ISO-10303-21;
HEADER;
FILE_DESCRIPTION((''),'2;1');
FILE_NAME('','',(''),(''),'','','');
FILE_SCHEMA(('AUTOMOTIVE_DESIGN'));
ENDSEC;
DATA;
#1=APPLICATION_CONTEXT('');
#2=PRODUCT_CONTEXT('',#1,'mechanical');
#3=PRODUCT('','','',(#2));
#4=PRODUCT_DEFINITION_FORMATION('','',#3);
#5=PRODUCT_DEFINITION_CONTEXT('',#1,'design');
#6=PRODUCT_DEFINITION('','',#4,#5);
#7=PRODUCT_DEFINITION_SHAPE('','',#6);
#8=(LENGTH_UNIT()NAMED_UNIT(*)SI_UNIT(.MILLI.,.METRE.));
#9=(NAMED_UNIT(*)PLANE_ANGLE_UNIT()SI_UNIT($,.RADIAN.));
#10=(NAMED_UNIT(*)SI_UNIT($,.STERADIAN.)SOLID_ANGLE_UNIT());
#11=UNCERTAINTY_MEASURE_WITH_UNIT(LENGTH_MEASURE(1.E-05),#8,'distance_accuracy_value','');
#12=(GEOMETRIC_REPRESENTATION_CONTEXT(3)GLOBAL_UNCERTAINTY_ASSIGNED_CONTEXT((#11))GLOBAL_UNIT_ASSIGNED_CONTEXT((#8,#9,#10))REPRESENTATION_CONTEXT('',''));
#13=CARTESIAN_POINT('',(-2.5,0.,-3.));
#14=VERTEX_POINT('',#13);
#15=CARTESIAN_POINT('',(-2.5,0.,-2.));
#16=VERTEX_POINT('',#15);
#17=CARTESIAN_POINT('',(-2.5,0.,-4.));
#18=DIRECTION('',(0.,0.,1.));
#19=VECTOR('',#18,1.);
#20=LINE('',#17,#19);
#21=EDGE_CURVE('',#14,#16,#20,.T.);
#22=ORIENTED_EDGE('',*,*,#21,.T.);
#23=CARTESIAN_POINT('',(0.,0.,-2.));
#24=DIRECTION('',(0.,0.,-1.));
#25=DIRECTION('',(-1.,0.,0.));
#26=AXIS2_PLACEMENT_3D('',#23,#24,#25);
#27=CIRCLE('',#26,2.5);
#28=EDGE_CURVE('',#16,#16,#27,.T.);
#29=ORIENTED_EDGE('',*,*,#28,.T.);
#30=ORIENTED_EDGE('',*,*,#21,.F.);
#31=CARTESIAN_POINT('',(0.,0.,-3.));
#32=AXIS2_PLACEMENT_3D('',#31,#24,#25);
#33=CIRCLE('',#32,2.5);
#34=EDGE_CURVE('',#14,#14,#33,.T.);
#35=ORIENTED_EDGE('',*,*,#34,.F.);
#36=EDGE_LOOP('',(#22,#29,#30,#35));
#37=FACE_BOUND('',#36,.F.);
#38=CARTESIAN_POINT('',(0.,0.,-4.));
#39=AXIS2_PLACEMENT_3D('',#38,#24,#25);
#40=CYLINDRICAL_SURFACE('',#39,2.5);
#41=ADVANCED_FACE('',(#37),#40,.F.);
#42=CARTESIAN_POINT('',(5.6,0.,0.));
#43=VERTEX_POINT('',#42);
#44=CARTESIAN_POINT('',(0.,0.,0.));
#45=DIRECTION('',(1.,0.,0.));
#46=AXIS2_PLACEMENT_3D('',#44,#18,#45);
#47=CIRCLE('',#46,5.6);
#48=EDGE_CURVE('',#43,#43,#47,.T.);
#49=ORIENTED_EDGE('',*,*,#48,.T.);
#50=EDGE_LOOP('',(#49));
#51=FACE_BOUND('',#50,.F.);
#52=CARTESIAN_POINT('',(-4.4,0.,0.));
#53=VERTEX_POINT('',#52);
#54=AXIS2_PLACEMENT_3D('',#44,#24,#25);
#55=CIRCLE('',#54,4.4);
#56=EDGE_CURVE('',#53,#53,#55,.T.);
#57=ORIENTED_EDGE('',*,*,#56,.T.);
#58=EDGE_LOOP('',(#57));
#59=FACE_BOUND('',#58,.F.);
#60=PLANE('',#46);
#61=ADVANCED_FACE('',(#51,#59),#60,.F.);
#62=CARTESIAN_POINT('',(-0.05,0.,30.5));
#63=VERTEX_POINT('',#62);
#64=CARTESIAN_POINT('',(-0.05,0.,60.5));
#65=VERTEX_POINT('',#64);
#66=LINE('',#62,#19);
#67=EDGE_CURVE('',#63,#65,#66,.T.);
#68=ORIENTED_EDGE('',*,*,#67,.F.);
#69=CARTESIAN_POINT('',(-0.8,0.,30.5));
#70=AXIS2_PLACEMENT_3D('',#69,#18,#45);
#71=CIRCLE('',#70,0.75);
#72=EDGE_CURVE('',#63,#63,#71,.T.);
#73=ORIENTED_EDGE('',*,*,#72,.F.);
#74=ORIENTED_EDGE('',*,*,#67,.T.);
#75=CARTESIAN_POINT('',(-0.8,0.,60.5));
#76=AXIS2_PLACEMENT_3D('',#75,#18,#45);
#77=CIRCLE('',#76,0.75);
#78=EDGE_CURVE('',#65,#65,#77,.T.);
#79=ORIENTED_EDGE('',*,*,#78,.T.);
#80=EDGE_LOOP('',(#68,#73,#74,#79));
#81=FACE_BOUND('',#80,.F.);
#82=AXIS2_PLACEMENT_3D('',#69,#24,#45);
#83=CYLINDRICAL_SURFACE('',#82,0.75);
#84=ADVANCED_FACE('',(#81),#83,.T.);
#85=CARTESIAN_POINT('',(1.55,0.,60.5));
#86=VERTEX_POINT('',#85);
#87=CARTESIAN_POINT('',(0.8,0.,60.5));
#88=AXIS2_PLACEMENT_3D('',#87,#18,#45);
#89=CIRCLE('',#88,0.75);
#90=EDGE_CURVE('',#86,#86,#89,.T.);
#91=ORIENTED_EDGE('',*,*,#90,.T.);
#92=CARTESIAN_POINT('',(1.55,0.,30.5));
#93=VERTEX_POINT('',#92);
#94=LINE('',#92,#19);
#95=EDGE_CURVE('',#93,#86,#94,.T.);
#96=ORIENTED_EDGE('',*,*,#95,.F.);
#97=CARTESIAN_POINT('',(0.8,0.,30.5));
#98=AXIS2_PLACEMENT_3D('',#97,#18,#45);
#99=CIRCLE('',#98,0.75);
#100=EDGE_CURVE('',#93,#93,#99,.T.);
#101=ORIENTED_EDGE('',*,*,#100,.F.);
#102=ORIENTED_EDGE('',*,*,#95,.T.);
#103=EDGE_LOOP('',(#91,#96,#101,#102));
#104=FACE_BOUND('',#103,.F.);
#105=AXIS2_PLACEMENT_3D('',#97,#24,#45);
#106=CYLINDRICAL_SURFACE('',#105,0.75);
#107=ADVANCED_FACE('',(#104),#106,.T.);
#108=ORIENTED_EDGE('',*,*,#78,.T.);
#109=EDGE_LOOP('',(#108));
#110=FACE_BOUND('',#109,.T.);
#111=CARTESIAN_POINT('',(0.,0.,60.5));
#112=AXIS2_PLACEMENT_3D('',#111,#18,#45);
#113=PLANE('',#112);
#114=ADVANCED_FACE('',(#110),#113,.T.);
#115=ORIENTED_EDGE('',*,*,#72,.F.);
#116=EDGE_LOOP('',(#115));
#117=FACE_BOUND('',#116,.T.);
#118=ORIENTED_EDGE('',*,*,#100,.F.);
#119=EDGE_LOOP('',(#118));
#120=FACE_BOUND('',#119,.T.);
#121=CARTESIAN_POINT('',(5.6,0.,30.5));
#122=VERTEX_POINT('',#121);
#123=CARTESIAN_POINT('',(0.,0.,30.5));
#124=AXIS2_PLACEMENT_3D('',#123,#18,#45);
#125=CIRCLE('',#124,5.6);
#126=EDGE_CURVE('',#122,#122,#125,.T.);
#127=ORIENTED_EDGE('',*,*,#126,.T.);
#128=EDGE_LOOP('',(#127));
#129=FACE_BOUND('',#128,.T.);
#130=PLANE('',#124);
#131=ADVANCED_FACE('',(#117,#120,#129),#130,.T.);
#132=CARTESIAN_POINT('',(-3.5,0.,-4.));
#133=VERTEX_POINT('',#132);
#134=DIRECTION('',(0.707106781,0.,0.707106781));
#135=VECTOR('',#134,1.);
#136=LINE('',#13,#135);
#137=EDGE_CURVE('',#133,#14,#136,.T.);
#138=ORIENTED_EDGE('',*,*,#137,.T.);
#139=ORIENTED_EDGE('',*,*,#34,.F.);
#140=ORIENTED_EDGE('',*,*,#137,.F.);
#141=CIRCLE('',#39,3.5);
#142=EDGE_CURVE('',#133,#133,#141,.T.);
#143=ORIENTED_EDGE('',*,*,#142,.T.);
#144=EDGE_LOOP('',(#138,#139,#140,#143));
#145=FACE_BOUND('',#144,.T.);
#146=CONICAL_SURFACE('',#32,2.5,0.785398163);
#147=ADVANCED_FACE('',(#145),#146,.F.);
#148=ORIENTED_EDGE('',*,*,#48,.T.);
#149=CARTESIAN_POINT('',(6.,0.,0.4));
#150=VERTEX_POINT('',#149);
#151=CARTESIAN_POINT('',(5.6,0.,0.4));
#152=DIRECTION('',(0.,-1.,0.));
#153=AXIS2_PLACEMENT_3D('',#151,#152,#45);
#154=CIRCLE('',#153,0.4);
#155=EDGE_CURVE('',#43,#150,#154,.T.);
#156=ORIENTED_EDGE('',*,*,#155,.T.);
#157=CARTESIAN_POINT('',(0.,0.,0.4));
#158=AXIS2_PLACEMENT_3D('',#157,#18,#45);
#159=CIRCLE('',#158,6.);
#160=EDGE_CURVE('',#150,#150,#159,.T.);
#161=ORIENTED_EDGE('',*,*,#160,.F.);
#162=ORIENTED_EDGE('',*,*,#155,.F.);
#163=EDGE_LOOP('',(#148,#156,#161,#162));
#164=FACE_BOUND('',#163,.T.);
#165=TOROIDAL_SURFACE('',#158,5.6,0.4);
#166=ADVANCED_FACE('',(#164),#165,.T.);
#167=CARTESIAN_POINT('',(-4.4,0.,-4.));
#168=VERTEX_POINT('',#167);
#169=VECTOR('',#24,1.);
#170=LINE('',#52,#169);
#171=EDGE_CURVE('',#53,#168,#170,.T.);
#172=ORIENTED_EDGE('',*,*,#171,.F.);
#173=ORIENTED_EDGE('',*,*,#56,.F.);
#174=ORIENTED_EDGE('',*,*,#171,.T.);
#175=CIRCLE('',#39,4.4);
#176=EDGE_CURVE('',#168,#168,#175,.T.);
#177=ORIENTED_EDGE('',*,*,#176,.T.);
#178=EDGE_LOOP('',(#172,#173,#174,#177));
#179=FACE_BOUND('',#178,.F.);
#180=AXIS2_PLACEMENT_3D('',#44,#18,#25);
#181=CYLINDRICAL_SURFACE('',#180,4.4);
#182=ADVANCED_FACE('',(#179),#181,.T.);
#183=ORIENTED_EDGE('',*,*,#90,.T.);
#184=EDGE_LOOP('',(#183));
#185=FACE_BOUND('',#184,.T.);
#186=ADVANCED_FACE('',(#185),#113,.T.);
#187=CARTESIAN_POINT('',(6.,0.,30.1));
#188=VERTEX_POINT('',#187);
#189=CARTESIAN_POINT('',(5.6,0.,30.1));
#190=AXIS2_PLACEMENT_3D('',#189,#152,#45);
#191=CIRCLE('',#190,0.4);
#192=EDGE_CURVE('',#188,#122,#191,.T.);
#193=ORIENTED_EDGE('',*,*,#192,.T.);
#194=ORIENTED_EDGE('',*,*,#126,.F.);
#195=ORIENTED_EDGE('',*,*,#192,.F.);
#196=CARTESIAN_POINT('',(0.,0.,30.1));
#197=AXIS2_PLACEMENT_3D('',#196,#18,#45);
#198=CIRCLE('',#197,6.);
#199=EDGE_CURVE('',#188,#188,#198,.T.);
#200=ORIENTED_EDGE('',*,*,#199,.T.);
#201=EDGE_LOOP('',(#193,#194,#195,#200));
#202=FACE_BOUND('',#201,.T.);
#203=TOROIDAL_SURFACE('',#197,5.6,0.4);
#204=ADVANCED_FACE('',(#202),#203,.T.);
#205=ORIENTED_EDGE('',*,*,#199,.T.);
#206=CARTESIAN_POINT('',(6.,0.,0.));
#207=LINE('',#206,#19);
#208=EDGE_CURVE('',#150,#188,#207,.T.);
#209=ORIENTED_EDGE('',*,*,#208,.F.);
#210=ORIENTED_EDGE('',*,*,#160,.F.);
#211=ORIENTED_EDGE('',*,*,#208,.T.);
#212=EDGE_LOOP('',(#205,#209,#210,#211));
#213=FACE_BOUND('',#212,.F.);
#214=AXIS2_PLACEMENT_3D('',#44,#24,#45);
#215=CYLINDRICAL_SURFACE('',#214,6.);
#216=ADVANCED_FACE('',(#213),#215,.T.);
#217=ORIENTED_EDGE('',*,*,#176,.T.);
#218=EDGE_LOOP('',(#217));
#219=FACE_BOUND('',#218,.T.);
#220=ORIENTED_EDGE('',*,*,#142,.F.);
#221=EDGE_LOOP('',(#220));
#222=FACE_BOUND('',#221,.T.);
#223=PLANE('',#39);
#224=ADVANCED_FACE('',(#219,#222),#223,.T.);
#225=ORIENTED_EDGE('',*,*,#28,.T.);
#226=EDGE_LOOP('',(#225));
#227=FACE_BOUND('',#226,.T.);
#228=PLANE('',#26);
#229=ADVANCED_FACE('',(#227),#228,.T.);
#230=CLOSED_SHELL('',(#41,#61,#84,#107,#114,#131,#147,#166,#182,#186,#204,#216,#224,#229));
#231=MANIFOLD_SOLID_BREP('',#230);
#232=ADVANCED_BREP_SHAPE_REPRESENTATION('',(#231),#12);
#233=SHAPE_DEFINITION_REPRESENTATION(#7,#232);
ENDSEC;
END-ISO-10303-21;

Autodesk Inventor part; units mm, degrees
ref_plane "YZ Plane" through (0, 0, 0) normal (1, 0, 0) x (0, 1, 0)
ref_plane "XZ Plane" through (0, 0, 0) normal (0, 1, 0) x (-1, 0, 0)
ref_plane "XY Plane" through (0, 0, 0) normal (0, 0, 1) x (1, 0, 0)
sketch "Sketch1" plane through (0, 0, 0) normal (0, 0, 1) x (1, 0, 0)
  circle A0 centre (0, 0) radius 6
  dimension "d0" = 12
extrude "Extrusion1" add sketch "Sketch1" along normal blind 30.5
sketch "Sketch2" plane through (0, 0, 30.5) normal (0, 0, 1) x (1, 0, 0)
  circle A0 centre (-0.8, 0) radius 0.75
  circle A1 centre (0.8, 0) radius 0.75
  circle A2 centre (0, 0) radius 1.75
  dimension "d3" = 1.5
  dimension "d4" = 1.5
  dimension "d5" = 1.6
  dimension "d6" = 0.8
  dimension "d7" = 3.5
extrude "Extrusion2" add sketch "Sketch2" along normal blind 30 contours A0 | A1
sketch "Sketch3" plane through (0, 0, 0) normal (0, 0, -1) x (-1, 0, 0)
  circle A0 centre (0, 0) radius 4.4
  dimension "d10" = 8.8
extrude "Extrusion3" add sketch "Sketch3" along normal blind 4
sketch "Sketch4" plane through (0, 0, -4) normal (0, 0, -1) x (-1, 0, 0)
  circle A0 centre (0, 0) radius 2.5
  dimension "d13" = 5
extrude "Extrusion4" cut sketch "Sketch4" against normal blind 2
chamfer "Chamfer1" distance 1 angle 45 1 edges at (2.5, 0, -4)
thread "Thread1" size "M9x0.5" class "6g" standard "ANSI Metric M Profile" full length
fillet "Fillet1" radius 0.4 2 edges at (-6, 0, 30.5) (-6, 0, 0)
equation "\"d6\" = 0.5 * d5"
properties part number "COTS_GENERIC_Engraving_laser"
